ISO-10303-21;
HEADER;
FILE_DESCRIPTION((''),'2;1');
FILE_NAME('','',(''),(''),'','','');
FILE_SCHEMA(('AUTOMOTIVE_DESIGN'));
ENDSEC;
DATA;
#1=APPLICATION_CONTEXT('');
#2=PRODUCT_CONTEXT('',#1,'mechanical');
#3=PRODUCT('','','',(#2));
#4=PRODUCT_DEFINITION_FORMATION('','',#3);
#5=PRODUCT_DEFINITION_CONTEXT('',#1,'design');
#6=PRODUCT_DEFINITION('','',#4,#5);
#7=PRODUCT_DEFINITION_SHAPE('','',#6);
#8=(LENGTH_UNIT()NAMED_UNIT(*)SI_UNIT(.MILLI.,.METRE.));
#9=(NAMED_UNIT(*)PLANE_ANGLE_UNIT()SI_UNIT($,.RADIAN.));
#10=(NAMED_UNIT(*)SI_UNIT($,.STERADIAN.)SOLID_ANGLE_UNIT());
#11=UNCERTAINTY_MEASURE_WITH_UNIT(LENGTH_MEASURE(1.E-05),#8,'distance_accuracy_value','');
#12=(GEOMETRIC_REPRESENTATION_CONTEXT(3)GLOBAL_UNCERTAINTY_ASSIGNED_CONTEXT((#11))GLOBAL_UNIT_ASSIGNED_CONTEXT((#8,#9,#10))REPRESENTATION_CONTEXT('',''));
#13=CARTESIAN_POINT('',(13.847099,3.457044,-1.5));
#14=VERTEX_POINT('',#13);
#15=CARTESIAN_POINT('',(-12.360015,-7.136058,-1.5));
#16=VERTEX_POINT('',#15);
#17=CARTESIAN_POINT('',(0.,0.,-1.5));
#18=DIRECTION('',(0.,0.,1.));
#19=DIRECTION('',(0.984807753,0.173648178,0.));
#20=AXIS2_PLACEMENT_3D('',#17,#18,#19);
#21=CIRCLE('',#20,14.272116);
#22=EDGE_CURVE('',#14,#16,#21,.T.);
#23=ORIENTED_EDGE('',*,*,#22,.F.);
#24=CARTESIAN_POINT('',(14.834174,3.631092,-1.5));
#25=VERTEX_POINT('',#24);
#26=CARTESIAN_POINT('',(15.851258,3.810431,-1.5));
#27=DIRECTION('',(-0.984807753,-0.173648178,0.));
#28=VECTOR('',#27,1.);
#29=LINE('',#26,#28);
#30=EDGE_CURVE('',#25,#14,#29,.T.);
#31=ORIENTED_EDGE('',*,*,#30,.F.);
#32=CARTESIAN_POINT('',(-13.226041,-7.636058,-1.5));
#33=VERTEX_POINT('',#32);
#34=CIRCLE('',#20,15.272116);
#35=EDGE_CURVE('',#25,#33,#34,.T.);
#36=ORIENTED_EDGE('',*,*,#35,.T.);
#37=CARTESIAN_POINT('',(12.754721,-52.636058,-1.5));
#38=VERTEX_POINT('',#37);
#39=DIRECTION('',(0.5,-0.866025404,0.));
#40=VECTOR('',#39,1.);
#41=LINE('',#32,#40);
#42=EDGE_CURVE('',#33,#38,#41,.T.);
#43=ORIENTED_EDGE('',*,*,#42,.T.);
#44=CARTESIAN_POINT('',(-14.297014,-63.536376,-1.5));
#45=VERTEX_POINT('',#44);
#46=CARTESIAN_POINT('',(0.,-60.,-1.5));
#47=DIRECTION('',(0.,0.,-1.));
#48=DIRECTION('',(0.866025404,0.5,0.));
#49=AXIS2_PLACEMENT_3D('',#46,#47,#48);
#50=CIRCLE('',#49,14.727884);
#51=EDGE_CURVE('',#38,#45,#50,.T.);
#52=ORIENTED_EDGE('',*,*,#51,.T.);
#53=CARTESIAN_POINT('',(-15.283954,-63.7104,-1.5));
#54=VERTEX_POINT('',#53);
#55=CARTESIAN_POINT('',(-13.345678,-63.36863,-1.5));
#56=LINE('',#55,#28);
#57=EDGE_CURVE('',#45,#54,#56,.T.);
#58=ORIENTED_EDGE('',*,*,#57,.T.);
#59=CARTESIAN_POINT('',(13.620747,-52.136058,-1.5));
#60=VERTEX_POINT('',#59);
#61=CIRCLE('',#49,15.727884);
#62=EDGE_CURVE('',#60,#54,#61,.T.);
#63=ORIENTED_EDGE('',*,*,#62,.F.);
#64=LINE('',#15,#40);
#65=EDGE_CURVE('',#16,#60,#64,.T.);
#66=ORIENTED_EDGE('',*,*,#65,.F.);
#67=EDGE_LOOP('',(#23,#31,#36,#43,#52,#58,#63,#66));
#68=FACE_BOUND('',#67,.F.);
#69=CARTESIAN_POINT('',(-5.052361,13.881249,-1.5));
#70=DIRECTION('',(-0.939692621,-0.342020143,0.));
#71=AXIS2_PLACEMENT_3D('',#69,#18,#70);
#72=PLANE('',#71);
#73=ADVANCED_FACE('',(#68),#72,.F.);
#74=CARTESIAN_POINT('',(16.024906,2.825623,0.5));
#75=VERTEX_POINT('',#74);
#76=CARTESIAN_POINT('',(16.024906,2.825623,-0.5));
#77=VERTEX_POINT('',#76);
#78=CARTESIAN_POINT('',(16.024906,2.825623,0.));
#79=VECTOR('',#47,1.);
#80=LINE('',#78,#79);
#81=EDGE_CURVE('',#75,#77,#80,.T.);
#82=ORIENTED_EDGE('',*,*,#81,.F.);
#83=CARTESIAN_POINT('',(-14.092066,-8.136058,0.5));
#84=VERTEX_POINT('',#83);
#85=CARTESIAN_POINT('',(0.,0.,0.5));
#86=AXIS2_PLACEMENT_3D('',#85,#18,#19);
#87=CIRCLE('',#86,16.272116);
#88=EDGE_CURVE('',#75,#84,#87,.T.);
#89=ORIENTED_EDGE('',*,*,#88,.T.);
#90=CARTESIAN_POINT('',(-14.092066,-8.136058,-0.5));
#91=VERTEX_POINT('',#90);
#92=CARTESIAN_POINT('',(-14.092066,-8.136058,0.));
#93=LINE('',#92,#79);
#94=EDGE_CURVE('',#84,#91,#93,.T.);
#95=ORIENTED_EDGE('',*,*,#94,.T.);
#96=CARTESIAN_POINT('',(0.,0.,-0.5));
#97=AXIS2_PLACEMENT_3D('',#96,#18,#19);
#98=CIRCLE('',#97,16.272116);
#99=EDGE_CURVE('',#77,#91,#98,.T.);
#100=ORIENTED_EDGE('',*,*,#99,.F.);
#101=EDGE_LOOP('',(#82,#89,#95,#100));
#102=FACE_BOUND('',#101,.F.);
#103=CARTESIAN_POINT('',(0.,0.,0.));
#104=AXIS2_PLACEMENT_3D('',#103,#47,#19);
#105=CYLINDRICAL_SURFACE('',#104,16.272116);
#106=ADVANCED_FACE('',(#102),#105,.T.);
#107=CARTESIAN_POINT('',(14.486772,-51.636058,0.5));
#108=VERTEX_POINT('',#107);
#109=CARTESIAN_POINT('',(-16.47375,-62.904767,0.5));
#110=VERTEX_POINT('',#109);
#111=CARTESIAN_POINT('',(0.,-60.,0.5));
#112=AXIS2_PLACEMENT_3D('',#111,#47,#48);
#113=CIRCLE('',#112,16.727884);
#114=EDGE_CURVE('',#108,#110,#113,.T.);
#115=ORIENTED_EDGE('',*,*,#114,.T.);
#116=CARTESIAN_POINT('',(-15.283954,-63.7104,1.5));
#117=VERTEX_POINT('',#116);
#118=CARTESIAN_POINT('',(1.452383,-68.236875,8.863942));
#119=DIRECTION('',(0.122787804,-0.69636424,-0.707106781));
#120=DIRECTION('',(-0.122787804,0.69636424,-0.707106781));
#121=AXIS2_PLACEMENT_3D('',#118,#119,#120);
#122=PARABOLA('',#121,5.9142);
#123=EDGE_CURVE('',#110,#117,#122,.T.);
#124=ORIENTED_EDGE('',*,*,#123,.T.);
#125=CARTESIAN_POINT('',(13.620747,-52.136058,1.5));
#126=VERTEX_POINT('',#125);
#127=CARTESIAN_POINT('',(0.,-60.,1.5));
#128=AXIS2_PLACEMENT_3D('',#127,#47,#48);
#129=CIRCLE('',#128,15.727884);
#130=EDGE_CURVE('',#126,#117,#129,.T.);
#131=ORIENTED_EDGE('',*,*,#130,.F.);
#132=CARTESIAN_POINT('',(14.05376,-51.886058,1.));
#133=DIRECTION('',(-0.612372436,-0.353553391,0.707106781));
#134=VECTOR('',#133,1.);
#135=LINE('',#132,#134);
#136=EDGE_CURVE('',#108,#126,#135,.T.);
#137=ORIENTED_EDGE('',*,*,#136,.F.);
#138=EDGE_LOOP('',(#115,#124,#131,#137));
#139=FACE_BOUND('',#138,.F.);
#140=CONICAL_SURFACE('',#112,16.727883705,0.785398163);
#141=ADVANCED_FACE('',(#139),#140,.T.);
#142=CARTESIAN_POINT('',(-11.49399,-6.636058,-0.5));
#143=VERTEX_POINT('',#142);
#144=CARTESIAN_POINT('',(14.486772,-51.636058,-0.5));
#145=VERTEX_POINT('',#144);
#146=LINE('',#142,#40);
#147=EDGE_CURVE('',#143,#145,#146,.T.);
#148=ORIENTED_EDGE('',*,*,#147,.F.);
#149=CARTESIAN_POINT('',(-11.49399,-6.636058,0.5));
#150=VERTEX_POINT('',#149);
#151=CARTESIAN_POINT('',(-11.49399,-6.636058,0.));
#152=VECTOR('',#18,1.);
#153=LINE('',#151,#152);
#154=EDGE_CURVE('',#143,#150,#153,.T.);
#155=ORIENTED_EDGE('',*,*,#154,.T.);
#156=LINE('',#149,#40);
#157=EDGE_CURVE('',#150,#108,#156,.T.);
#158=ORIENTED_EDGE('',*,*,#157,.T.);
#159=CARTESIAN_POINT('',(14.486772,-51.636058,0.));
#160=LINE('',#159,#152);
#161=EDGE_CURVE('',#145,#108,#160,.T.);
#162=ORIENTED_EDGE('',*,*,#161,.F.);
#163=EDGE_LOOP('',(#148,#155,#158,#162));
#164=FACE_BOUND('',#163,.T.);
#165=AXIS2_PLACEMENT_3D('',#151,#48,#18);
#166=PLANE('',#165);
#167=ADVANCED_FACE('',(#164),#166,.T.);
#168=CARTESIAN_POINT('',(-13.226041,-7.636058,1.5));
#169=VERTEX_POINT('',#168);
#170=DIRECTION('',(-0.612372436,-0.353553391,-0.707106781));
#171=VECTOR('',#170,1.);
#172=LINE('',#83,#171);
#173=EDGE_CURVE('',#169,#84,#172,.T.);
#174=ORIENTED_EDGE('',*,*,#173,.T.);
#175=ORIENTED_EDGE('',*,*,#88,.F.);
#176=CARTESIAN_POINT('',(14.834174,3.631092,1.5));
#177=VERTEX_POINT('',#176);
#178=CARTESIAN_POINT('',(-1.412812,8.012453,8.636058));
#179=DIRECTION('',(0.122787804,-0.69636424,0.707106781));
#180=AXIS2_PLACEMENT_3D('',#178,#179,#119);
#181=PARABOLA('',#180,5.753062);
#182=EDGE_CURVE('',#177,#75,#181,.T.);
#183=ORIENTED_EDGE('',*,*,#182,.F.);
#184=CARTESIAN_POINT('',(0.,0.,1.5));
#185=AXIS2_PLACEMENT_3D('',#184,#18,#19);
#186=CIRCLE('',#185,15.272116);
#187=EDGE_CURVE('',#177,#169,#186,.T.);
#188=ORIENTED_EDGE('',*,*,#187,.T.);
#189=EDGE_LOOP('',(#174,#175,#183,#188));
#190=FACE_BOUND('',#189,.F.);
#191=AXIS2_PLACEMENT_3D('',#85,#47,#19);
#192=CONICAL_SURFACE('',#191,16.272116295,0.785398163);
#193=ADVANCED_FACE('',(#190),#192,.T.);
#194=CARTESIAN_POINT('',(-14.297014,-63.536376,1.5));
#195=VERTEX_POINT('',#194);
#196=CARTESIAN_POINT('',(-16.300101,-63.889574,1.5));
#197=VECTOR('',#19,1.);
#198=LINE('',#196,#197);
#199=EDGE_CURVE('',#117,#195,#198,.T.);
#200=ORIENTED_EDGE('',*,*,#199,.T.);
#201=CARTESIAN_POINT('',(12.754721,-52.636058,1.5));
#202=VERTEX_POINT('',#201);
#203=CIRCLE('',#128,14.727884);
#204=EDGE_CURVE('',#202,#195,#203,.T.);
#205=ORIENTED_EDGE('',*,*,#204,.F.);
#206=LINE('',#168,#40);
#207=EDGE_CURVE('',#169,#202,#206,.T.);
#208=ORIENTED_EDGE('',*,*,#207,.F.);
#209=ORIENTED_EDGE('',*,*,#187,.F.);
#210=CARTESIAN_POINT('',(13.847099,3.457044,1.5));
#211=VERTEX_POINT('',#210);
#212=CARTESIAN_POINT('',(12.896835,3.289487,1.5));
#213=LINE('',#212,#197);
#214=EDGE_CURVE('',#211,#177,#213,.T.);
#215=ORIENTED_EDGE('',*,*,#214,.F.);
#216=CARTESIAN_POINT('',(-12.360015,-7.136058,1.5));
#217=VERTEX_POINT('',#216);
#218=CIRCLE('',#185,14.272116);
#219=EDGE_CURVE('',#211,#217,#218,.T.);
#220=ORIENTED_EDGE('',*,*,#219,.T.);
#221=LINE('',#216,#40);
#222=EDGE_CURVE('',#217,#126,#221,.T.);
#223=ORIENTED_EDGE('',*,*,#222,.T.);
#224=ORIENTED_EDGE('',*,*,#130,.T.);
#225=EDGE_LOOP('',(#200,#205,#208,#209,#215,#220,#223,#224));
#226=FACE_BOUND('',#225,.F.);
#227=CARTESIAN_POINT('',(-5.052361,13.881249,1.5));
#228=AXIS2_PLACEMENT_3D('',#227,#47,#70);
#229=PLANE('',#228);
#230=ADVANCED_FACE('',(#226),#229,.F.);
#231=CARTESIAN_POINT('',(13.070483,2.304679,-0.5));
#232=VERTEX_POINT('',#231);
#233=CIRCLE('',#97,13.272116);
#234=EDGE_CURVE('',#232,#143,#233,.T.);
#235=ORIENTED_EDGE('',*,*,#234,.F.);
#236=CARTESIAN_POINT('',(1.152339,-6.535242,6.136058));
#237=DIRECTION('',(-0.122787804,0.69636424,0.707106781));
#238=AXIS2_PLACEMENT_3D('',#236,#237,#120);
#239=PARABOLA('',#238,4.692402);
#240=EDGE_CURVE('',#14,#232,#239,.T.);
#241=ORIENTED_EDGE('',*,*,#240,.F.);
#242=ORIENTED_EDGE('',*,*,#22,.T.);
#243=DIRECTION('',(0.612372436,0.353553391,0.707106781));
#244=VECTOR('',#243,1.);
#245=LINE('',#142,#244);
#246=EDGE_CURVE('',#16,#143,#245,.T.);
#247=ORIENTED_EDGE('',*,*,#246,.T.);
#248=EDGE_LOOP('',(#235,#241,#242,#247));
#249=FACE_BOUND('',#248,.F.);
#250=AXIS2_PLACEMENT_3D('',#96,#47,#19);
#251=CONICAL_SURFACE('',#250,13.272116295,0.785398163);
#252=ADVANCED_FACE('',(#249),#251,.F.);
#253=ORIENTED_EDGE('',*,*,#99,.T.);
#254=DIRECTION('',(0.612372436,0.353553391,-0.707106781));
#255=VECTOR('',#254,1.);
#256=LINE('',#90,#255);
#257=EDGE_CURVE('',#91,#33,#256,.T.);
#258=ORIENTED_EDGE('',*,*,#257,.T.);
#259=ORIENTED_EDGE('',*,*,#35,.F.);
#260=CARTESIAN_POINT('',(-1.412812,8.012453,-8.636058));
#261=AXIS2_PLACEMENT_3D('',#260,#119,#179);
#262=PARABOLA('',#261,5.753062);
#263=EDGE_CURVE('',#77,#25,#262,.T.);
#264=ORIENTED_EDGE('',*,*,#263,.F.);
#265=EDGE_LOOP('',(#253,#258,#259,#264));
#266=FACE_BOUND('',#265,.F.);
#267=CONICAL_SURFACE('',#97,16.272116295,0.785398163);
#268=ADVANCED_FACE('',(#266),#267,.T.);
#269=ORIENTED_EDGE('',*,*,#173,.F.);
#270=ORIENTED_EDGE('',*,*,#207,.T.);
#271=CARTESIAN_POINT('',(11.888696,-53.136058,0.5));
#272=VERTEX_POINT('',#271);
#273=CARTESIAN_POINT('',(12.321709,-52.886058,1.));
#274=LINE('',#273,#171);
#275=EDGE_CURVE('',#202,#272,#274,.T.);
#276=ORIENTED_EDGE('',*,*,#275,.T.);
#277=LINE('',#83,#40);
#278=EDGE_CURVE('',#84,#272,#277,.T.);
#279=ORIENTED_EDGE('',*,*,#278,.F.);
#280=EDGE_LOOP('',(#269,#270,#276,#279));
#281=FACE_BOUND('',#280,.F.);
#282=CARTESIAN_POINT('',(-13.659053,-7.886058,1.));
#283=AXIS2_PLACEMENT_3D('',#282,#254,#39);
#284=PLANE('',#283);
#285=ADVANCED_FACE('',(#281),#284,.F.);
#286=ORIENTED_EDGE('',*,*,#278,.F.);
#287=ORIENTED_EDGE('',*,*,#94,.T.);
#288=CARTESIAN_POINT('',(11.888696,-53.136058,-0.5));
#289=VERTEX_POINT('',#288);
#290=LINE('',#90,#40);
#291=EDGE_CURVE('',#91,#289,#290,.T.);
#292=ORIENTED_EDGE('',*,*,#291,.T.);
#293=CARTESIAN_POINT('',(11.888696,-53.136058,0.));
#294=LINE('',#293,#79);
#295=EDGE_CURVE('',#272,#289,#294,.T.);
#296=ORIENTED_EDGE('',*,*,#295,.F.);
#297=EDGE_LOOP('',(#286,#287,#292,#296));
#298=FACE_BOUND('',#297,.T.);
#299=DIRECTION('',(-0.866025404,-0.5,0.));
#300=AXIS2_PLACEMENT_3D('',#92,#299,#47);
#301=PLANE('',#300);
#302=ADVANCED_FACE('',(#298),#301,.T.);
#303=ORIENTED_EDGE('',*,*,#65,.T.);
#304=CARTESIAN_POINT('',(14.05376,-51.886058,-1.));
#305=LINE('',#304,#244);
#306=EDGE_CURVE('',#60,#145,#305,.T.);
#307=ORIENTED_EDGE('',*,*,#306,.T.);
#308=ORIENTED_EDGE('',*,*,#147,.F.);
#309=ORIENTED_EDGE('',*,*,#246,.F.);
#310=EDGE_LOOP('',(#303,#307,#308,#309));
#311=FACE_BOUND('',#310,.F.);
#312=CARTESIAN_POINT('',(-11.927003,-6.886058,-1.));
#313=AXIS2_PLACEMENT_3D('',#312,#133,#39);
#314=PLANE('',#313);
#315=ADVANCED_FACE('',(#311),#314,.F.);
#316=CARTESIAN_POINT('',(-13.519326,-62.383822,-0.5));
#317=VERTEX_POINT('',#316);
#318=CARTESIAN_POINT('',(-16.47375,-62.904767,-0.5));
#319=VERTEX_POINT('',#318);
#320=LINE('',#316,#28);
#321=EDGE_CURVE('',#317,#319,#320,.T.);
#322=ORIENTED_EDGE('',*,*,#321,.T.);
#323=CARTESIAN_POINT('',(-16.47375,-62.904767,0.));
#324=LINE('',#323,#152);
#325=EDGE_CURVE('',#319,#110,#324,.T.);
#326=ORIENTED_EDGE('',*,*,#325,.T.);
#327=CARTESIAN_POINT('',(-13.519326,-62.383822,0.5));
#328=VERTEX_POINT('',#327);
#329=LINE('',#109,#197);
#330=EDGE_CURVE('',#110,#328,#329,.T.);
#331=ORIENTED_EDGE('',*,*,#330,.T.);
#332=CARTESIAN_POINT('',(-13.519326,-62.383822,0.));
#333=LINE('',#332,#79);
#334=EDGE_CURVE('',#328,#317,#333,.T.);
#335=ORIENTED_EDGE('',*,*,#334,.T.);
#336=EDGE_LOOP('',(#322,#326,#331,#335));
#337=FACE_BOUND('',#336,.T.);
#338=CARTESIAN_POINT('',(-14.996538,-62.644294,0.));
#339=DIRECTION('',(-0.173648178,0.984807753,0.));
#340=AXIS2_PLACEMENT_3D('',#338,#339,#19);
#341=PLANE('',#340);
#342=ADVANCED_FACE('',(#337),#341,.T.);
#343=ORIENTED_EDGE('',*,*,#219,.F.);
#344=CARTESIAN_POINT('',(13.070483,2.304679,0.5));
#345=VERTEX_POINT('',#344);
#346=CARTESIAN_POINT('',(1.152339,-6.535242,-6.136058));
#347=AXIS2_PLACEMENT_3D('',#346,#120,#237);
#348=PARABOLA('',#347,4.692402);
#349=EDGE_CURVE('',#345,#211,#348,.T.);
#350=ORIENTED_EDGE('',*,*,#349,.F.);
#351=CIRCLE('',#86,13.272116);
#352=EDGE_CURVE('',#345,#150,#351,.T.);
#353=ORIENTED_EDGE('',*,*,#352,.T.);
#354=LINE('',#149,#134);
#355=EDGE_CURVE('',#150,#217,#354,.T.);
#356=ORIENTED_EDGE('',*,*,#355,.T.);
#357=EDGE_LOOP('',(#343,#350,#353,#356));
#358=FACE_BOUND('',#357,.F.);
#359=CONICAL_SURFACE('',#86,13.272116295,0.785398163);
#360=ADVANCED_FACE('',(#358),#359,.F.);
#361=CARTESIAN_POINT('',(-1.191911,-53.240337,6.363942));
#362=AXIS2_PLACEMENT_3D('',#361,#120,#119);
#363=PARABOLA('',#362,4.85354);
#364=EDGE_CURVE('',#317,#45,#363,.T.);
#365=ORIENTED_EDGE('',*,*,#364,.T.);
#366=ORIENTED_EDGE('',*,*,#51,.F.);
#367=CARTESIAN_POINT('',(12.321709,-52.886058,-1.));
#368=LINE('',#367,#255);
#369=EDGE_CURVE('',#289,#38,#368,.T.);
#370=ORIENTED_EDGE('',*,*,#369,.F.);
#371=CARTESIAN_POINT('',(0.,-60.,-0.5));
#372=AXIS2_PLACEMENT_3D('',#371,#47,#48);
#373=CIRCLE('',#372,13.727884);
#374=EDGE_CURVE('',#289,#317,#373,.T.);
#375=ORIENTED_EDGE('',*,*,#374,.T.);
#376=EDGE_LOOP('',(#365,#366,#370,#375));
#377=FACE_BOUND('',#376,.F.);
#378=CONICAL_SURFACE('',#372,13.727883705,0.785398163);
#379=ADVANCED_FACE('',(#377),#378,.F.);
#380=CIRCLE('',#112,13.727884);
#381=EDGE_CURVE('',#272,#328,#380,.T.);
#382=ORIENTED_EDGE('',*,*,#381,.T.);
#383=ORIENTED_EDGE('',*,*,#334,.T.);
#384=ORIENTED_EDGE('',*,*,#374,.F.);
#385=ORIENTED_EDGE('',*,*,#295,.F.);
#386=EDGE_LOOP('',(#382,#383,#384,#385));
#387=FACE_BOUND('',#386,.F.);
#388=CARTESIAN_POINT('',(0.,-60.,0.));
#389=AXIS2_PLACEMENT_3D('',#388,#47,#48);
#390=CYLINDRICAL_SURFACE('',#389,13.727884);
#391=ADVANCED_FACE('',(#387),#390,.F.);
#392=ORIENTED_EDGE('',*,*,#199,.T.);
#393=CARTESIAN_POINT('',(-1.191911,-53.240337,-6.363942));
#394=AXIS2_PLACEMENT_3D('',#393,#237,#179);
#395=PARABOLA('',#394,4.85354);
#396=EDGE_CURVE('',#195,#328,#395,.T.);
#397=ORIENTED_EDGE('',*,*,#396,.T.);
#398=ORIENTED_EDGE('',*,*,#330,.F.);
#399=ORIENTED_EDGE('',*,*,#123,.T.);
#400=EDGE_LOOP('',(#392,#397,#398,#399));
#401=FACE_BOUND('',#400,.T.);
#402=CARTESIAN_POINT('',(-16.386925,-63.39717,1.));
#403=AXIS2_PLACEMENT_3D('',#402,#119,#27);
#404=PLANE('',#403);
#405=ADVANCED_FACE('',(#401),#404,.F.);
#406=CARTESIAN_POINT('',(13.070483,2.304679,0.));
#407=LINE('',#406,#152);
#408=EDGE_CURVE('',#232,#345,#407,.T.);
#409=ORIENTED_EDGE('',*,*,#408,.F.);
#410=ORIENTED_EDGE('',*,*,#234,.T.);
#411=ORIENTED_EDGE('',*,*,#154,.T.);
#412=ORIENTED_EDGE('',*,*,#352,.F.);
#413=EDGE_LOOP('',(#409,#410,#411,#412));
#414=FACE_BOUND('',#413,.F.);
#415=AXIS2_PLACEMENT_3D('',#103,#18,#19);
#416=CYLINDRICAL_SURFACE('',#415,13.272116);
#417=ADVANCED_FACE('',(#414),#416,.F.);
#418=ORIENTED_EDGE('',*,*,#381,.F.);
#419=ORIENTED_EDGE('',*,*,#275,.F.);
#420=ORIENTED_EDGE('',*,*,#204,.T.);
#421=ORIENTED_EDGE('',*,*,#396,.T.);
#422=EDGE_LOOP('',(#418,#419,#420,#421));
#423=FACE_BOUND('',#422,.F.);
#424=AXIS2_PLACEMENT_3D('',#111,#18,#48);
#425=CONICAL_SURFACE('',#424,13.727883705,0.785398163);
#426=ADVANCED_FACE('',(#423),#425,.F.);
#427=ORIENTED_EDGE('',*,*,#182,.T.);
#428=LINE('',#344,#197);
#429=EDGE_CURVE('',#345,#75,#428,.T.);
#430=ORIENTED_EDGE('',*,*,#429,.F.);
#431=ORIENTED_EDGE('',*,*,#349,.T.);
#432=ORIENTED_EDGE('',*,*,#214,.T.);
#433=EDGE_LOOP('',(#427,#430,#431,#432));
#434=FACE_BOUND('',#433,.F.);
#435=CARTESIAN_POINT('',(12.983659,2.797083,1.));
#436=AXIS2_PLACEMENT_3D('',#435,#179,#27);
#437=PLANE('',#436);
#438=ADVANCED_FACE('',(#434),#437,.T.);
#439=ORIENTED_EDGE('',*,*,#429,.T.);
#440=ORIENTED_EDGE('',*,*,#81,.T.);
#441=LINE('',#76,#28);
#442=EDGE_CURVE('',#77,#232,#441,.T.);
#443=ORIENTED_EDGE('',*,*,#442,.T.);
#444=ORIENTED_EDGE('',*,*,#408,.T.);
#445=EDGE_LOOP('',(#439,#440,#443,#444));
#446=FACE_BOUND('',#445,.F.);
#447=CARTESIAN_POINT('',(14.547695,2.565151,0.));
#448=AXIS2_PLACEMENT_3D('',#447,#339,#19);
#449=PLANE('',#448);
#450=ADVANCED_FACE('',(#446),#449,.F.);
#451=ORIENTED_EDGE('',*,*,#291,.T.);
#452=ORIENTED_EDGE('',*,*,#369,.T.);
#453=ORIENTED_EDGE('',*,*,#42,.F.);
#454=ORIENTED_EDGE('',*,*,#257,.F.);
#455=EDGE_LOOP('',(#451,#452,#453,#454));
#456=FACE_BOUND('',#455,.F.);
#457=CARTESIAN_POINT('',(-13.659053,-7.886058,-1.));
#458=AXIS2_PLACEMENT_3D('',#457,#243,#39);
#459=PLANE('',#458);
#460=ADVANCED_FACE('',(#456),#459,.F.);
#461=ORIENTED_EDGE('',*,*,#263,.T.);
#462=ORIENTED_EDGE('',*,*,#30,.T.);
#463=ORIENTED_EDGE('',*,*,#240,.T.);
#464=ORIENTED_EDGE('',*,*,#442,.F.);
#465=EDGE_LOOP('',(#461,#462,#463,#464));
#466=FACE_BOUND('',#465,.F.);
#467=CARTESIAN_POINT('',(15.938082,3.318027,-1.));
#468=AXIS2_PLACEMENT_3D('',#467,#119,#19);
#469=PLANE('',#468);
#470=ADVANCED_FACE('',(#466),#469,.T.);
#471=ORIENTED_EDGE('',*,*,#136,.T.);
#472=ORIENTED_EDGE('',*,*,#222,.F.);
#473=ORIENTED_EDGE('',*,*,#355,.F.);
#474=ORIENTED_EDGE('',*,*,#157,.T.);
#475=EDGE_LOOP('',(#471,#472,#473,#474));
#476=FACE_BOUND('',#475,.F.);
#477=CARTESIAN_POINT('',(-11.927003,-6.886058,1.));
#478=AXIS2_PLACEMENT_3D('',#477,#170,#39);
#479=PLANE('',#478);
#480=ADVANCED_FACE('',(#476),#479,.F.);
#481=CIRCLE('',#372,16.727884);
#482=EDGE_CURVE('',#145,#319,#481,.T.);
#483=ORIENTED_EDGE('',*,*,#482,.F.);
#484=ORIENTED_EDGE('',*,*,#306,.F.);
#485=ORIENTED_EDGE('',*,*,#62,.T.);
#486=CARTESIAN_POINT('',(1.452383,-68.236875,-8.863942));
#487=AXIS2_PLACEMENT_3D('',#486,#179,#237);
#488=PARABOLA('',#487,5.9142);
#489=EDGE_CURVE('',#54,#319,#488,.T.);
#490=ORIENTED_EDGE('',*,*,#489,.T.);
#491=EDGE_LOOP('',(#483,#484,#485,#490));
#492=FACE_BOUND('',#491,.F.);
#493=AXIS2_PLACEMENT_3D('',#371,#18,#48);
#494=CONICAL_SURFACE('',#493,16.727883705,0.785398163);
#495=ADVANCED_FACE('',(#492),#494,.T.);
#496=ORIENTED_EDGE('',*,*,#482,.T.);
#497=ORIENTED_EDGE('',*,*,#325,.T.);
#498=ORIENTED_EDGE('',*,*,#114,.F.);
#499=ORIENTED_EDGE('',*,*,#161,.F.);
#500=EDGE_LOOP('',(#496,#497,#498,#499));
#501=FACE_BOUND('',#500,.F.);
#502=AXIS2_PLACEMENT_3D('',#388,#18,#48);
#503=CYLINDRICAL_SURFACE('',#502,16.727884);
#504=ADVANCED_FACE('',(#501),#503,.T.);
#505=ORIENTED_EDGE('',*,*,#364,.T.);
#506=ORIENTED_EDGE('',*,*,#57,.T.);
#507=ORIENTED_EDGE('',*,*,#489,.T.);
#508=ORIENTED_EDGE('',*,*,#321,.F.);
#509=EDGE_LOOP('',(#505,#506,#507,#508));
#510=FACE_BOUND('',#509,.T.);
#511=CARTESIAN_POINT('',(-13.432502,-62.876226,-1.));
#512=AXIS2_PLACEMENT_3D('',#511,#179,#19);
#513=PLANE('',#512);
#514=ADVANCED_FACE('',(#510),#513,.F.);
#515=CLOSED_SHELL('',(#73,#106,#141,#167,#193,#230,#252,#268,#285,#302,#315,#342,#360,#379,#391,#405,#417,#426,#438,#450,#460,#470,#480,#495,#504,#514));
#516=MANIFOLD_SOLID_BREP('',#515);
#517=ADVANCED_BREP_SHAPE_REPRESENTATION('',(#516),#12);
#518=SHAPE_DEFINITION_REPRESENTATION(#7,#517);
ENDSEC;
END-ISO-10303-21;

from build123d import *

# Parameters (mm, degrees)
F1_W    = 3
F1_H    = 3
F3_SIZE = 1


with BuildPart() as f2:
    # F2: sweep along a path in F0
    with BuildLine(Plane.XY) as f2_path:
        ThreePointArc((14.7721162952, 2.604722665), (-5.1303021499, 14.0953893118), (-12.9903810568, -7.5))
        Line((-12.9903810568, -7.5), (12.9903810568, -52.5))
        ThreePointArc((12.9903810568, -52.5), (5.1303021499, -74.0953893118), (-14.7721162952, -62.604722665))
    # F1 (on Front) → F2 (sweep)
    with BuildSketch(Plane.XZ):
        with Locations((-14.7721162952, 0)):
            Rectangle(F1_W, F1_H)
    sweep(path=f2_path.line)

    # F3
    f3_edges = [f2.edges().sort_by_distance(p)[0] for p in [
        (-4.539331, 12.47171, 1.5),
        (1.496391, -29.136058, 1.5),
        (5.721273, -75.719069, 1.5),
        (-14.996538, -62.644294, 1.5),
        (4.695213, -72.899991, 1.5),
        (-1.101685, -30.636058, 1.5),
        (-5.565392, 15.290788, 1.5),
        (14.547695, 2.565151, 1.5),
        (-5.565392, 15.290788, -1.5),
        (-1.101685, -30.636058, -1.5),
        (4.695213, -72.899991, -1.5),
        (-14.996538, -62.644294, -1.5),
        (5.721273, -75.719069, -1.5),
        (1.496391, -29.136058, -1.5),
        (-4.539331, 12.47171, -1.5),
        (14.547695, 2.565151, -1.5),
    ]]
    chamfer(f3_edges, length=F3_SIZE)


solid = f2.part
